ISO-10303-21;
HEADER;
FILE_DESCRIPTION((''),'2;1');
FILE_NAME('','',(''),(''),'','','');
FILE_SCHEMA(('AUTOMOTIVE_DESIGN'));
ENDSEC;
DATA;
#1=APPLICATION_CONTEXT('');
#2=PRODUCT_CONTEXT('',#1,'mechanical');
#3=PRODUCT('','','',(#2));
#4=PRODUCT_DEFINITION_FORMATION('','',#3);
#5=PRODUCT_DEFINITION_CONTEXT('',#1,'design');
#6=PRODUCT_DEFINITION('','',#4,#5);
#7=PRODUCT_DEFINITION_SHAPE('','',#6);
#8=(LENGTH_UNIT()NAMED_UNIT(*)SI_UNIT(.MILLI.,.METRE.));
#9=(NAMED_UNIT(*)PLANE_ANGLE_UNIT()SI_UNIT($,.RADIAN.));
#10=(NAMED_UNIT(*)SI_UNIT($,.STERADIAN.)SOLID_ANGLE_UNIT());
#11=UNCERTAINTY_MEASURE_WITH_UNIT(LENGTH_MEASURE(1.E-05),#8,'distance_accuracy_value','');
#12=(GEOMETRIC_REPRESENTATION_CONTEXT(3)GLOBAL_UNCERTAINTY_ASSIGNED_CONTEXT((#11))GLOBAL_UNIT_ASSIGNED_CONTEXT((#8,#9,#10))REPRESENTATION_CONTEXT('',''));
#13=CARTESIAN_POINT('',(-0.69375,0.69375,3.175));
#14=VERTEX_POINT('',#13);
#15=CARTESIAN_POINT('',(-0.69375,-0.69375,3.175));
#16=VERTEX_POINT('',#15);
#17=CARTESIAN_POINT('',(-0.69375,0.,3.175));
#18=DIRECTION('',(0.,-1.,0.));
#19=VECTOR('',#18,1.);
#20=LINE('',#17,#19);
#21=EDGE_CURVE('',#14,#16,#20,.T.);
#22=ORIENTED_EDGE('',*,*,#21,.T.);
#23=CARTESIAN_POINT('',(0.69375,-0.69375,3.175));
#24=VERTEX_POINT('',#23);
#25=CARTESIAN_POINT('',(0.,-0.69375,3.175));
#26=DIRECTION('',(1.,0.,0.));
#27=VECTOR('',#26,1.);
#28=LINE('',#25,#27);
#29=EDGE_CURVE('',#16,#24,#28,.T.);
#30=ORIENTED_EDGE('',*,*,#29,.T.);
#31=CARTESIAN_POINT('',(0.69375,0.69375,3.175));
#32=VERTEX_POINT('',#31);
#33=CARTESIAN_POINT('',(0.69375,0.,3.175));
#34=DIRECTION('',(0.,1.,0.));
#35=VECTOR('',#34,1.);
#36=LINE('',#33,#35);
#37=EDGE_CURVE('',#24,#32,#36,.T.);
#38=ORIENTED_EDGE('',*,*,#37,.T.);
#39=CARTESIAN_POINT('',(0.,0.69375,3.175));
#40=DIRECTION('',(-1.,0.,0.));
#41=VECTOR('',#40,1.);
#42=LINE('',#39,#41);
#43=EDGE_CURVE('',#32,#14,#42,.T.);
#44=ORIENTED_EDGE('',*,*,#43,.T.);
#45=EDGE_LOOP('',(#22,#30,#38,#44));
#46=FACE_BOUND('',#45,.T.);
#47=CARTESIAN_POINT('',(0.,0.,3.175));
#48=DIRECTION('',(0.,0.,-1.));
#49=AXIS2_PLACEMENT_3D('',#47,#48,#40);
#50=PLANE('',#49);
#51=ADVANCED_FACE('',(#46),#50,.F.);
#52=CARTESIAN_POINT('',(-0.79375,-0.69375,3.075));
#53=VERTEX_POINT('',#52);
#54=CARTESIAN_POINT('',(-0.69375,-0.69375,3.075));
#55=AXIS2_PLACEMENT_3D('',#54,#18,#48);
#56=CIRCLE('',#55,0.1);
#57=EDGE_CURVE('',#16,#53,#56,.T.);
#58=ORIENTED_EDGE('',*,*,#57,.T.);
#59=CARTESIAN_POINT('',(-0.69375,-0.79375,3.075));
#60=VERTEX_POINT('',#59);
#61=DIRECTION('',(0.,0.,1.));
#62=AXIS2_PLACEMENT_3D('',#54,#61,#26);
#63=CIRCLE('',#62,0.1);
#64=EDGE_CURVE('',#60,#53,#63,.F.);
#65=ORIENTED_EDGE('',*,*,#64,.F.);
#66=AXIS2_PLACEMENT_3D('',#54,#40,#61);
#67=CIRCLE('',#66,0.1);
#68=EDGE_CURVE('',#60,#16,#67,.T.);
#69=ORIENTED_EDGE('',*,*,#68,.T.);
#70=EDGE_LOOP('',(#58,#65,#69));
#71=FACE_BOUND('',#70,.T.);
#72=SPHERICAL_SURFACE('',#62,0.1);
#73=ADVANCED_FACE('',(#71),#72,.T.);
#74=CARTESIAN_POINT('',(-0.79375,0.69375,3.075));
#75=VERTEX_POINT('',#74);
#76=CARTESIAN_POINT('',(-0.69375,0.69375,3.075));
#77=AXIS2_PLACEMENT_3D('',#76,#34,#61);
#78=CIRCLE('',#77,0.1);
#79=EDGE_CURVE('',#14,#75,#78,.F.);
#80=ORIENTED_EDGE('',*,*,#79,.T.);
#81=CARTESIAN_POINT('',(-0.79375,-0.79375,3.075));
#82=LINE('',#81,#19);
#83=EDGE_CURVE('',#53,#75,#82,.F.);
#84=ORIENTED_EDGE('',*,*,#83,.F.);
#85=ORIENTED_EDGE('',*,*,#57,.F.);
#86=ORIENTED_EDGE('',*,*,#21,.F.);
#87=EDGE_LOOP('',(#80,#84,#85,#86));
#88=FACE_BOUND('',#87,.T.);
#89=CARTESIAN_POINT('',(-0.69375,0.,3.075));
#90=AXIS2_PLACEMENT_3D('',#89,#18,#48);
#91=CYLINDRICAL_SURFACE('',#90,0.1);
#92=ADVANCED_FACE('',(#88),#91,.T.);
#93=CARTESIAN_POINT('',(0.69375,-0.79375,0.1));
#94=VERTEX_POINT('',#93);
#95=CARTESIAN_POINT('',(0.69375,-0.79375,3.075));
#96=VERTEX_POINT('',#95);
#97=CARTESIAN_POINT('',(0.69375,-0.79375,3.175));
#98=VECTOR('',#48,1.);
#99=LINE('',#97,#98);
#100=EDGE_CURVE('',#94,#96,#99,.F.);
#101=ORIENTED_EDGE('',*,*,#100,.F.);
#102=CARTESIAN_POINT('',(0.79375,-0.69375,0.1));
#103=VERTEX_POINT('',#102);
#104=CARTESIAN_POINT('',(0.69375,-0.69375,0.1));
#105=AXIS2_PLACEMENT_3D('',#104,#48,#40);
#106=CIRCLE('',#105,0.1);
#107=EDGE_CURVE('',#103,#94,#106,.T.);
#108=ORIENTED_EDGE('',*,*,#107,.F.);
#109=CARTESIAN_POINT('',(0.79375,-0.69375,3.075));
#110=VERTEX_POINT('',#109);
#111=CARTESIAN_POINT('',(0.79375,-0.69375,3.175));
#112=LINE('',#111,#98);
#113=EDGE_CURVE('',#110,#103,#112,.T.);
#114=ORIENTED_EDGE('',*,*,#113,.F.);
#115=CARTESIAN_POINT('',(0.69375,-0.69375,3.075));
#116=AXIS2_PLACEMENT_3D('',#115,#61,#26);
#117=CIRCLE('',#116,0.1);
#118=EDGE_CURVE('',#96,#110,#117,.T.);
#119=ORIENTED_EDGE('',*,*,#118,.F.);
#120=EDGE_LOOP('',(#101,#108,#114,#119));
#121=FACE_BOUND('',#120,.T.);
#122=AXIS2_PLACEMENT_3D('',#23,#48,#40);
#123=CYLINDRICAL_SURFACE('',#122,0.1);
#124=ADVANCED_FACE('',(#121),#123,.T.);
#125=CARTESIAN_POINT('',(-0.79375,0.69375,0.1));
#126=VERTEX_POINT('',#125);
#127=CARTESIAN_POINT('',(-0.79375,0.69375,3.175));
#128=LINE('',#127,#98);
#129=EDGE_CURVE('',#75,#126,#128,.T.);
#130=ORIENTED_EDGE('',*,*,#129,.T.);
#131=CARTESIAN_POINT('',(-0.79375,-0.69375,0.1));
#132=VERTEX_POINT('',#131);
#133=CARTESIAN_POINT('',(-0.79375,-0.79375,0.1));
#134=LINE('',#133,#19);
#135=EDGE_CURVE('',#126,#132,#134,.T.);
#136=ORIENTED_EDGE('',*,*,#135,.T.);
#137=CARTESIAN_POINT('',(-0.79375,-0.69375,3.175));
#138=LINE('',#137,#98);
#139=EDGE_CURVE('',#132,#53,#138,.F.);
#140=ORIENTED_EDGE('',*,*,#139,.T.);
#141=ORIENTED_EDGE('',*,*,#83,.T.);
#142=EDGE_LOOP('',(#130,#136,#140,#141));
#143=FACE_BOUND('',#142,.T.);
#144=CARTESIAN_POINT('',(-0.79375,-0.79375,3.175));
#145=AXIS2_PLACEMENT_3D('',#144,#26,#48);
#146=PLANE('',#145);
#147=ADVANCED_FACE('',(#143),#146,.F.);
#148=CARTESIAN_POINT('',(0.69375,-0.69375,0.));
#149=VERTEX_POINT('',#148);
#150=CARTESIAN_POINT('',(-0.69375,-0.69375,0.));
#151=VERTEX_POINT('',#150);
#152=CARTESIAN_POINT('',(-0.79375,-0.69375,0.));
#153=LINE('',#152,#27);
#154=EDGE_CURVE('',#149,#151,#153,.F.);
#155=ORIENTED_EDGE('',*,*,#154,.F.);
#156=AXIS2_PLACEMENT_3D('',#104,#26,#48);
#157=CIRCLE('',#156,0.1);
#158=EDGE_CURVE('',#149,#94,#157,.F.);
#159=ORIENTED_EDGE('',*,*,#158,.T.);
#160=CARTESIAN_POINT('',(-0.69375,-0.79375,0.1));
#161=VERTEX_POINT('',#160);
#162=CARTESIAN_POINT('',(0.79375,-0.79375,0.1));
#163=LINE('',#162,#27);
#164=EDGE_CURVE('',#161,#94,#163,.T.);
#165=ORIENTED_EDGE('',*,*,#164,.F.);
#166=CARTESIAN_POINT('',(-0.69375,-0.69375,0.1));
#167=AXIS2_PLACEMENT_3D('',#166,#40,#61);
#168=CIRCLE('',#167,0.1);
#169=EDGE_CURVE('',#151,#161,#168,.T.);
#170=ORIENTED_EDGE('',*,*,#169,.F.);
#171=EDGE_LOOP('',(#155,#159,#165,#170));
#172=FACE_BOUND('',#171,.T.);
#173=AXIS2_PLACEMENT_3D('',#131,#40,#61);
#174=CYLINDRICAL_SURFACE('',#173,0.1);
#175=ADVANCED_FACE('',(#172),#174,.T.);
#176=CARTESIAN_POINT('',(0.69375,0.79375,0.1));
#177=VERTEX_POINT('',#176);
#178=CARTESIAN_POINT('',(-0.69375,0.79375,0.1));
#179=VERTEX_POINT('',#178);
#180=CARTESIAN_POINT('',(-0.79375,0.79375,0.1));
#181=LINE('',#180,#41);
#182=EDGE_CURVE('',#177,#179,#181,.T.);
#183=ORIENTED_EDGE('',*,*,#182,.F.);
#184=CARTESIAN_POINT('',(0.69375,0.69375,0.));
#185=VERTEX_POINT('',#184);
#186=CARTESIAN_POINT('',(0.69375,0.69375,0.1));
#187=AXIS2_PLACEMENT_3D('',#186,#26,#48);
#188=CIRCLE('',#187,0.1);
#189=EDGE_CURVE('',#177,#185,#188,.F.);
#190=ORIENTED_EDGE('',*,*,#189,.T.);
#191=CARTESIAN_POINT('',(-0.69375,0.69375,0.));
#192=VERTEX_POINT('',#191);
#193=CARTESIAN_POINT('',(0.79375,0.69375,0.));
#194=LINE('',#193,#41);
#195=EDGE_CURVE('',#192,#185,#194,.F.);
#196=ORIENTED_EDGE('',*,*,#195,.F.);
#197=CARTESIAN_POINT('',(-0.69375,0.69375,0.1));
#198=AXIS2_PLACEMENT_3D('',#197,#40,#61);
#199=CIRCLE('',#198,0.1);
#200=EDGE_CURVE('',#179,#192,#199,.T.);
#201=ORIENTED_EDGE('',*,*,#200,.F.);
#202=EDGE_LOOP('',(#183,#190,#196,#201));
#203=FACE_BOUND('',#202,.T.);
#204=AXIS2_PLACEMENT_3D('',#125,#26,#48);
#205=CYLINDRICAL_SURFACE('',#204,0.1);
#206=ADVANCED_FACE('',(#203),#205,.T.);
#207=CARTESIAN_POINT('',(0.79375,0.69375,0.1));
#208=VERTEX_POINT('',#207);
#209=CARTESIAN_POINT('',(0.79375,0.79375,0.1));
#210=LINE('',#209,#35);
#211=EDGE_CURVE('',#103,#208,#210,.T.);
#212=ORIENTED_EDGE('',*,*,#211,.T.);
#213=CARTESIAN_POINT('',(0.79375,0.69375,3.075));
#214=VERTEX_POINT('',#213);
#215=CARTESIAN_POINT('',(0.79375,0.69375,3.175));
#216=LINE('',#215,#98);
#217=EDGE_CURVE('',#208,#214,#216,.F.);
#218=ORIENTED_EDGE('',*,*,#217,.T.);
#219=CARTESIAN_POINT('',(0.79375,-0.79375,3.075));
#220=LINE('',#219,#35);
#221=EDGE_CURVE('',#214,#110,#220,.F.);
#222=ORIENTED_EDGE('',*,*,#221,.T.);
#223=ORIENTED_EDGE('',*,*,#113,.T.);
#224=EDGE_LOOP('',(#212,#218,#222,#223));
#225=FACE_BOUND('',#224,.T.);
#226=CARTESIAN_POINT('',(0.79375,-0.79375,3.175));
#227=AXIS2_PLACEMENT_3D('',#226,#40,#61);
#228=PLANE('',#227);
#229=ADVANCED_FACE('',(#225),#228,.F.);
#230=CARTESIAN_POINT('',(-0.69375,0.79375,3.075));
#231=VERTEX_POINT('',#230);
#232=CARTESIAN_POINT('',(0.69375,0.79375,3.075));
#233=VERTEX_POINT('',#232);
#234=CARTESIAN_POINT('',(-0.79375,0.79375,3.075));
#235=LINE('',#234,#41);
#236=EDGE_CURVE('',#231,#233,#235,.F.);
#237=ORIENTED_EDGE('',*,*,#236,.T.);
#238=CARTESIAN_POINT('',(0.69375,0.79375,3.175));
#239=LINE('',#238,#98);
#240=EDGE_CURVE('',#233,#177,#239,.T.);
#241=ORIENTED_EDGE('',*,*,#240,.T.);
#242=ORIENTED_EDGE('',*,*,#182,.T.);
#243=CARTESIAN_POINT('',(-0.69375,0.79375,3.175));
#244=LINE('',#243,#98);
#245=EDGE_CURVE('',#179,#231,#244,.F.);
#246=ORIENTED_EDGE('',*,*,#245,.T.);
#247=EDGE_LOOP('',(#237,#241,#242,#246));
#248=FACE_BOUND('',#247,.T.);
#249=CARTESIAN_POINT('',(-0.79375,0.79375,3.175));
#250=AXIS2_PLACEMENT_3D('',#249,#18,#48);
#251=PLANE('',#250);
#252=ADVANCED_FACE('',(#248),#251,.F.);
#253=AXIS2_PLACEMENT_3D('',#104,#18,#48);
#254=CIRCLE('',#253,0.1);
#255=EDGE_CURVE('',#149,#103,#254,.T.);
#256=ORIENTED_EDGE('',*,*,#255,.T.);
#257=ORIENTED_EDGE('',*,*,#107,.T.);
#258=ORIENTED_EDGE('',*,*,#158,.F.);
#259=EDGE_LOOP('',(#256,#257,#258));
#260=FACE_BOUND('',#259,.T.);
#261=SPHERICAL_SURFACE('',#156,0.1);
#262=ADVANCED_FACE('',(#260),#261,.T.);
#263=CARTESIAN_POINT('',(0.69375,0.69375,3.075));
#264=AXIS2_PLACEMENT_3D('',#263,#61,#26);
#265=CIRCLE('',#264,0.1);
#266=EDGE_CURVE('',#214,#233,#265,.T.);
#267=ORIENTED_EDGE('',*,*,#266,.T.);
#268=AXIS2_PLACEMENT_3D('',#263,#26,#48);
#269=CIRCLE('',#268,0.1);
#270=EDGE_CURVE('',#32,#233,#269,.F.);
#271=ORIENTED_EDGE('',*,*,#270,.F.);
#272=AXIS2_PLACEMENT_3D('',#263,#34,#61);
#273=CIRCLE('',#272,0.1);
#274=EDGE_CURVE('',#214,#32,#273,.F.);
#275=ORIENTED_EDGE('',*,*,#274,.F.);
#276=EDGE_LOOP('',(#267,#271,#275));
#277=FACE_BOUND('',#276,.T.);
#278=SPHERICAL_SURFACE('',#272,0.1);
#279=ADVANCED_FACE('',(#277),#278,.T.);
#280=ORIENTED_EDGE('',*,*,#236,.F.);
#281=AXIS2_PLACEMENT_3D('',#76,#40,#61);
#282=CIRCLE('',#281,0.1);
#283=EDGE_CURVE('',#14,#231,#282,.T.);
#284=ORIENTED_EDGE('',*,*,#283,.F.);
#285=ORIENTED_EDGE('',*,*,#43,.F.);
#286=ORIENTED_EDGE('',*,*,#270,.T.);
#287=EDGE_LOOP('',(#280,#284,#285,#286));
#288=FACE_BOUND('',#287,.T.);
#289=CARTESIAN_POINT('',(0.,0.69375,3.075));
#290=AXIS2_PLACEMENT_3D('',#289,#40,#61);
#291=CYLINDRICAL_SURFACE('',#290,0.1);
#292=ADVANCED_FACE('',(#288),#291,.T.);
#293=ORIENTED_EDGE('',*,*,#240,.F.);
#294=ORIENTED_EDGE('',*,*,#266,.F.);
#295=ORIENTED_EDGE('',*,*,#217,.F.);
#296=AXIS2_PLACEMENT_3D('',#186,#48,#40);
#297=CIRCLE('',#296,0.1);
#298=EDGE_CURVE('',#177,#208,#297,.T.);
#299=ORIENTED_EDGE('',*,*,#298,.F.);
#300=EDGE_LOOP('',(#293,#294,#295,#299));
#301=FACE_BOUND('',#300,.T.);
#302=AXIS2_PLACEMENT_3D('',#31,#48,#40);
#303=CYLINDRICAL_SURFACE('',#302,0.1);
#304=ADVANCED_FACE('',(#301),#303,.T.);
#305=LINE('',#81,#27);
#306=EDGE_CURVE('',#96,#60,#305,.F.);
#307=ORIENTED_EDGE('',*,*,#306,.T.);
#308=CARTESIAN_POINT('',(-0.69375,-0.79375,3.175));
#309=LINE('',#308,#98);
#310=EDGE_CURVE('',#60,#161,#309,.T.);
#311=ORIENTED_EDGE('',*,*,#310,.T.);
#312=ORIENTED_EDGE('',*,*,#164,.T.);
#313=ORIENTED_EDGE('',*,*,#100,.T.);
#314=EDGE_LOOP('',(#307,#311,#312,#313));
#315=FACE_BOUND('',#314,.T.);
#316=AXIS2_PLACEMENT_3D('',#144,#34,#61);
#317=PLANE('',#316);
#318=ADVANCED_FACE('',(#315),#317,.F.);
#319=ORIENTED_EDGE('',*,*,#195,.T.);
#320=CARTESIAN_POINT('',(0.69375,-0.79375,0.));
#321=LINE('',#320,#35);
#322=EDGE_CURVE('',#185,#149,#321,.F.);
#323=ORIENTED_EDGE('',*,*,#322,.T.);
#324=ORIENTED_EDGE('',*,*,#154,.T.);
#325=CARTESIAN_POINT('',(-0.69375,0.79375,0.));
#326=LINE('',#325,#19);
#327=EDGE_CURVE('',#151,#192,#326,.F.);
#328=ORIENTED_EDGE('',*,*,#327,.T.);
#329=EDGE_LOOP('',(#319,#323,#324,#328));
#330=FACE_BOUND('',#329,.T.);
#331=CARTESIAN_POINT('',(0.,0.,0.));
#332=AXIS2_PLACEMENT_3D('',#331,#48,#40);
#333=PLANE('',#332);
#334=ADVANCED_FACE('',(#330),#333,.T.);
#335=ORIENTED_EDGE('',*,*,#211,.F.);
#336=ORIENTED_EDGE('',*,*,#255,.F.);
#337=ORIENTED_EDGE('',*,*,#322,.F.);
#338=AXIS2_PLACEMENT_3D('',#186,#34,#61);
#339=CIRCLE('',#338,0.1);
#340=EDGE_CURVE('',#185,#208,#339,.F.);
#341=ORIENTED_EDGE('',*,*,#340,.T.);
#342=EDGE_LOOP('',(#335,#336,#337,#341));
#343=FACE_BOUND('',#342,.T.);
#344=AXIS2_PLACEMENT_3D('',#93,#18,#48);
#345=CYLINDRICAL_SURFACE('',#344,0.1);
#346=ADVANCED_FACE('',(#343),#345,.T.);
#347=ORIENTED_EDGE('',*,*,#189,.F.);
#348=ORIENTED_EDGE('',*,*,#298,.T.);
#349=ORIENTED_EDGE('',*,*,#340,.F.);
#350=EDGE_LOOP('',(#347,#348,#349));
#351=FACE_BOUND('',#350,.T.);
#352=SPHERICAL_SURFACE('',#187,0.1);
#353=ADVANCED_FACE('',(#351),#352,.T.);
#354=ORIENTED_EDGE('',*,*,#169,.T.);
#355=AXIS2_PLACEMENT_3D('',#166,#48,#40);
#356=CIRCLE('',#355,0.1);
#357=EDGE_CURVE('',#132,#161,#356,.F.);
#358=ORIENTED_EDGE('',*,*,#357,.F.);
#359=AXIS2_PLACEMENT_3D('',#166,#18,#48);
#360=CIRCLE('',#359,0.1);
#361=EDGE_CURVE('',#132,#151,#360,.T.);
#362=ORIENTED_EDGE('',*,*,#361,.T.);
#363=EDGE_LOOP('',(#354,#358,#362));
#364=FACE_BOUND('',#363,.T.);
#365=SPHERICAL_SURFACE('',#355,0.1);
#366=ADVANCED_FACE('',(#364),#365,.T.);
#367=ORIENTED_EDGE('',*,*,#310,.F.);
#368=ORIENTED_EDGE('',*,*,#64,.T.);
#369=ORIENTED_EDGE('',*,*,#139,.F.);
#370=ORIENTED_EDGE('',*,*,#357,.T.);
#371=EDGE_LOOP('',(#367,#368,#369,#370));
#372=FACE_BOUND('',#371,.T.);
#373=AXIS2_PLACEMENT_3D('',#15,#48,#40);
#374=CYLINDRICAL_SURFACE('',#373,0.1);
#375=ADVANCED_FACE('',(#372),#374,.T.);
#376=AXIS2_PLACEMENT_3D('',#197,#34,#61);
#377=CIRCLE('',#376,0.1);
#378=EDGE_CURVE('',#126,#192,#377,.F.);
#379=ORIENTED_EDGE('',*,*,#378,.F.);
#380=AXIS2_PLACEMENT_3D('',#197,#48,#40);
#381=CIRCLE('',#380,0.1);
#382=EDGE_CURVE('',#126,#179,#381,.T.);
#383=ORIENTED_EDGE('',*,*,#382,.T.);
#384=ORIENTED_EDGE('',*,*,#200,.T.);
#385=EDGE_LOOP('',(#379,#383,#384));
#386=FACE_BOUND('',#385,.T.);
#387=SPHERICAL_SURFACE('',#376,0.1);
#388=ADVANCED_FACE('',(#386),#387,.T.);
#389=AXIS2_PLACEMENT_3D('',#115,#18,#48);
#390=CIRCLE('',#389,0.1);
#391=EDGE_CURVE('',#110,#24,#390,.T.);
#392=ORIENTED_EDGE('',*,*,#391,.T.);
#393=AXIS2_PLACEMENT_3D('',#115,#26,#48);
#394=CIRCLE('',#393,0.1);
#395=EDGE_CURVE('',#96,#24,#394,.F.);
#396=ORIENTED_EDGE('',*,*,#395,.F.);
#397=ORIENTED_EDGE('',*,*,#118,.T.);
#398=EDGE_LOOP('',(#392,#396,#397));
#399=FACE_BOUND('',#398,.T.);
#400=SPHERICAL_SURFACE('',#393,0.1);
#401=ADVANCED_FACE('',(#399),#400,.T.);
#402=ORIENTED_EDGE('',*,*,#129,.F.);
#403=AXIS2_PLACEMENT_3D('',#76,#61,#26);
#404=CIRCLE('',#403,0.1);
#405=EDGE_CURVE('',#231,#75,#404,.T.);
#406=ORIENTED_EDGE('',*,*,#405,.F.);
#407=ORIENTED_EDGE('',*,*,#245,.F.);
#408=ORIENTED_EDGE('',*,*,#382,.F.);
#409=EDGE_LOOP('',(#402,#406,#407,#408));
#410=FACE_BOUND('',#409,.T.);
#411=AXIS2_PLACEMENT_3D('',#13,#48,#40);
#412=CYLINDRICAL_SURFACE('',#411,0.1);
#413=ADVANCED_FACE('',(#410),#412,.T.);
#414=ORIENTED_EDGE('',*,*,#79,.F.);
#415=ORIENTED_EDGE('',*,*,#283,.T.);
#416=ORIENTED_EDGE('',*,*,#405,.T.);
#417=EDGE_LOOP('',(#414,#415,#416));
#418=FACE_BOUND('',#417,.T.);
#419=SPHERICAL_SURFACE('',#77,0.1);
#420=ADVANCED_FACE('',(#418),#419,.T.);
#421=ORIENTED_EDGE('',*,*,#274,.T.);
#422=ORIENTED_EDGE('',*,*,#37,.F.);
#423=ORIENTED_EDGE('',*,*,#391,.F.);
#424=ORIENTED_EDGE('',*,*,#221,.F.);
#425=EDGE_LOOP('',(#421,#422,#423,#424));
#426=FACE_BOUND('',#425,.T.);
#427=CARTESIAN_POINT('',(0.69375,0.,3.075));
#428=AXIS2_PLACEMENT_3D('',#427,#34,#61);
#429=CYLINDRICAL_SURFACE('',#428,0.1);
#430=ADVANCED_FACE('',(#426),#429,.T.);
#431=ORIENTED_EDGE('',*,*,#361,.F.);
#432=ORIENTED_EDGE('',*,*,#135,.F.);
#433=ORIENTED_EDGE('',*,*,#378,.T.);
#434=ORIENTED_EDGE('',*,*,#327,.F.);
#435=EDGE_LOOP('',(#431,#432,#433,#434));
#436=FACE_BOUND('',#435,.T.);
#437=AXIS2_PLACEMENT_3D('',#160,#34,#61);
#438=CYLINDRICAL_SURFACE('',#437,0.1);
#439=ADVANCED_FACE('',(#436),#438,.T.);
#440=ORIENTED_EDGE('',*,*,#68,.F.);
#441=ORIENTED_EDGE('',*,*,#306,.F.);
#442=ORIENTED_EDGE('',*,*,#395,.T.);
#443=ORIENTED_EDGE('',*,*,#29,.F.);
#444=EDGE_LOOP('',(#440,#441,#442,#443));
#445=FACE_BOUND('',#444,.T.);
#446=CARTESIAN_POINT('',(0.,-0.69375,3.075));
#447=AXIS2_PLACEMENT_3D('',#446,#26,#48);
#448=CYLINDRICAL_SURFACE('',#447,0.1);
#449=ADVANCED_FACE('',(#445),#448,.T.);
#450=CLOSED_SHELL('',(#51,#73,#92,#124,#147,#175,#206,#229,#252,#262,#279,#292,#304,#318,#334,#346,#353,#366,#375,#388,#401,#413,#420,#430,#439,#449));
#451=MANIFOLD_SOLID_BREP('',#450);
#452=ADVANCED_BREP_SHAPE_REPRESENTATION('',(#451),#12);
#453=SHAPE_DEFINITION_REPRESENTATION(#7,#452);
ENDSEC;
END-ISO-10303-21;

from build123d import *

# Parameters (mm, degrees)
SKETCH1_W           = 1.5875
SKETCH1_H           = 1.5875
BOSS_EXTRUDE1_DEPTH = 3.175
FILLET1_R           = 0.1


with BuildPart() as part:
    # Sketch1 → Boss-Extrude1 (new body)
    with BuildSketch(Plane.XY):
        Rectangle(SKETCH1_W, SKETCH1_H)
    extrude(amount=BOSS_EXTRUDE1_DEPTH)

    # Fillet1
    fillet1_edges = [part.edges().sort_by_distance(p)[0] for p in [
        (-0.79375, 0, 3.175),
        (0, -0.79375, 3.175),
        (0.79375, 0, 3.175),
        (0, -0.79375, 0),
        (-0.79375, 0, 0),
        (0, 0.79375, 0),
        (0.79375, 0, 0),
        (0.79375, -0.79375, 1.5875),
        (-0.79375, -0.79375, 1.5875),
        (-0.79375, 0.79375, 1.5875),
        (0.79375, 0.79375, 1.5875),
        (0, 0.79375, 3.175),
    ]]
    fillet(fillet1_edges, radius=FILLET1_R)


solid = part.part
